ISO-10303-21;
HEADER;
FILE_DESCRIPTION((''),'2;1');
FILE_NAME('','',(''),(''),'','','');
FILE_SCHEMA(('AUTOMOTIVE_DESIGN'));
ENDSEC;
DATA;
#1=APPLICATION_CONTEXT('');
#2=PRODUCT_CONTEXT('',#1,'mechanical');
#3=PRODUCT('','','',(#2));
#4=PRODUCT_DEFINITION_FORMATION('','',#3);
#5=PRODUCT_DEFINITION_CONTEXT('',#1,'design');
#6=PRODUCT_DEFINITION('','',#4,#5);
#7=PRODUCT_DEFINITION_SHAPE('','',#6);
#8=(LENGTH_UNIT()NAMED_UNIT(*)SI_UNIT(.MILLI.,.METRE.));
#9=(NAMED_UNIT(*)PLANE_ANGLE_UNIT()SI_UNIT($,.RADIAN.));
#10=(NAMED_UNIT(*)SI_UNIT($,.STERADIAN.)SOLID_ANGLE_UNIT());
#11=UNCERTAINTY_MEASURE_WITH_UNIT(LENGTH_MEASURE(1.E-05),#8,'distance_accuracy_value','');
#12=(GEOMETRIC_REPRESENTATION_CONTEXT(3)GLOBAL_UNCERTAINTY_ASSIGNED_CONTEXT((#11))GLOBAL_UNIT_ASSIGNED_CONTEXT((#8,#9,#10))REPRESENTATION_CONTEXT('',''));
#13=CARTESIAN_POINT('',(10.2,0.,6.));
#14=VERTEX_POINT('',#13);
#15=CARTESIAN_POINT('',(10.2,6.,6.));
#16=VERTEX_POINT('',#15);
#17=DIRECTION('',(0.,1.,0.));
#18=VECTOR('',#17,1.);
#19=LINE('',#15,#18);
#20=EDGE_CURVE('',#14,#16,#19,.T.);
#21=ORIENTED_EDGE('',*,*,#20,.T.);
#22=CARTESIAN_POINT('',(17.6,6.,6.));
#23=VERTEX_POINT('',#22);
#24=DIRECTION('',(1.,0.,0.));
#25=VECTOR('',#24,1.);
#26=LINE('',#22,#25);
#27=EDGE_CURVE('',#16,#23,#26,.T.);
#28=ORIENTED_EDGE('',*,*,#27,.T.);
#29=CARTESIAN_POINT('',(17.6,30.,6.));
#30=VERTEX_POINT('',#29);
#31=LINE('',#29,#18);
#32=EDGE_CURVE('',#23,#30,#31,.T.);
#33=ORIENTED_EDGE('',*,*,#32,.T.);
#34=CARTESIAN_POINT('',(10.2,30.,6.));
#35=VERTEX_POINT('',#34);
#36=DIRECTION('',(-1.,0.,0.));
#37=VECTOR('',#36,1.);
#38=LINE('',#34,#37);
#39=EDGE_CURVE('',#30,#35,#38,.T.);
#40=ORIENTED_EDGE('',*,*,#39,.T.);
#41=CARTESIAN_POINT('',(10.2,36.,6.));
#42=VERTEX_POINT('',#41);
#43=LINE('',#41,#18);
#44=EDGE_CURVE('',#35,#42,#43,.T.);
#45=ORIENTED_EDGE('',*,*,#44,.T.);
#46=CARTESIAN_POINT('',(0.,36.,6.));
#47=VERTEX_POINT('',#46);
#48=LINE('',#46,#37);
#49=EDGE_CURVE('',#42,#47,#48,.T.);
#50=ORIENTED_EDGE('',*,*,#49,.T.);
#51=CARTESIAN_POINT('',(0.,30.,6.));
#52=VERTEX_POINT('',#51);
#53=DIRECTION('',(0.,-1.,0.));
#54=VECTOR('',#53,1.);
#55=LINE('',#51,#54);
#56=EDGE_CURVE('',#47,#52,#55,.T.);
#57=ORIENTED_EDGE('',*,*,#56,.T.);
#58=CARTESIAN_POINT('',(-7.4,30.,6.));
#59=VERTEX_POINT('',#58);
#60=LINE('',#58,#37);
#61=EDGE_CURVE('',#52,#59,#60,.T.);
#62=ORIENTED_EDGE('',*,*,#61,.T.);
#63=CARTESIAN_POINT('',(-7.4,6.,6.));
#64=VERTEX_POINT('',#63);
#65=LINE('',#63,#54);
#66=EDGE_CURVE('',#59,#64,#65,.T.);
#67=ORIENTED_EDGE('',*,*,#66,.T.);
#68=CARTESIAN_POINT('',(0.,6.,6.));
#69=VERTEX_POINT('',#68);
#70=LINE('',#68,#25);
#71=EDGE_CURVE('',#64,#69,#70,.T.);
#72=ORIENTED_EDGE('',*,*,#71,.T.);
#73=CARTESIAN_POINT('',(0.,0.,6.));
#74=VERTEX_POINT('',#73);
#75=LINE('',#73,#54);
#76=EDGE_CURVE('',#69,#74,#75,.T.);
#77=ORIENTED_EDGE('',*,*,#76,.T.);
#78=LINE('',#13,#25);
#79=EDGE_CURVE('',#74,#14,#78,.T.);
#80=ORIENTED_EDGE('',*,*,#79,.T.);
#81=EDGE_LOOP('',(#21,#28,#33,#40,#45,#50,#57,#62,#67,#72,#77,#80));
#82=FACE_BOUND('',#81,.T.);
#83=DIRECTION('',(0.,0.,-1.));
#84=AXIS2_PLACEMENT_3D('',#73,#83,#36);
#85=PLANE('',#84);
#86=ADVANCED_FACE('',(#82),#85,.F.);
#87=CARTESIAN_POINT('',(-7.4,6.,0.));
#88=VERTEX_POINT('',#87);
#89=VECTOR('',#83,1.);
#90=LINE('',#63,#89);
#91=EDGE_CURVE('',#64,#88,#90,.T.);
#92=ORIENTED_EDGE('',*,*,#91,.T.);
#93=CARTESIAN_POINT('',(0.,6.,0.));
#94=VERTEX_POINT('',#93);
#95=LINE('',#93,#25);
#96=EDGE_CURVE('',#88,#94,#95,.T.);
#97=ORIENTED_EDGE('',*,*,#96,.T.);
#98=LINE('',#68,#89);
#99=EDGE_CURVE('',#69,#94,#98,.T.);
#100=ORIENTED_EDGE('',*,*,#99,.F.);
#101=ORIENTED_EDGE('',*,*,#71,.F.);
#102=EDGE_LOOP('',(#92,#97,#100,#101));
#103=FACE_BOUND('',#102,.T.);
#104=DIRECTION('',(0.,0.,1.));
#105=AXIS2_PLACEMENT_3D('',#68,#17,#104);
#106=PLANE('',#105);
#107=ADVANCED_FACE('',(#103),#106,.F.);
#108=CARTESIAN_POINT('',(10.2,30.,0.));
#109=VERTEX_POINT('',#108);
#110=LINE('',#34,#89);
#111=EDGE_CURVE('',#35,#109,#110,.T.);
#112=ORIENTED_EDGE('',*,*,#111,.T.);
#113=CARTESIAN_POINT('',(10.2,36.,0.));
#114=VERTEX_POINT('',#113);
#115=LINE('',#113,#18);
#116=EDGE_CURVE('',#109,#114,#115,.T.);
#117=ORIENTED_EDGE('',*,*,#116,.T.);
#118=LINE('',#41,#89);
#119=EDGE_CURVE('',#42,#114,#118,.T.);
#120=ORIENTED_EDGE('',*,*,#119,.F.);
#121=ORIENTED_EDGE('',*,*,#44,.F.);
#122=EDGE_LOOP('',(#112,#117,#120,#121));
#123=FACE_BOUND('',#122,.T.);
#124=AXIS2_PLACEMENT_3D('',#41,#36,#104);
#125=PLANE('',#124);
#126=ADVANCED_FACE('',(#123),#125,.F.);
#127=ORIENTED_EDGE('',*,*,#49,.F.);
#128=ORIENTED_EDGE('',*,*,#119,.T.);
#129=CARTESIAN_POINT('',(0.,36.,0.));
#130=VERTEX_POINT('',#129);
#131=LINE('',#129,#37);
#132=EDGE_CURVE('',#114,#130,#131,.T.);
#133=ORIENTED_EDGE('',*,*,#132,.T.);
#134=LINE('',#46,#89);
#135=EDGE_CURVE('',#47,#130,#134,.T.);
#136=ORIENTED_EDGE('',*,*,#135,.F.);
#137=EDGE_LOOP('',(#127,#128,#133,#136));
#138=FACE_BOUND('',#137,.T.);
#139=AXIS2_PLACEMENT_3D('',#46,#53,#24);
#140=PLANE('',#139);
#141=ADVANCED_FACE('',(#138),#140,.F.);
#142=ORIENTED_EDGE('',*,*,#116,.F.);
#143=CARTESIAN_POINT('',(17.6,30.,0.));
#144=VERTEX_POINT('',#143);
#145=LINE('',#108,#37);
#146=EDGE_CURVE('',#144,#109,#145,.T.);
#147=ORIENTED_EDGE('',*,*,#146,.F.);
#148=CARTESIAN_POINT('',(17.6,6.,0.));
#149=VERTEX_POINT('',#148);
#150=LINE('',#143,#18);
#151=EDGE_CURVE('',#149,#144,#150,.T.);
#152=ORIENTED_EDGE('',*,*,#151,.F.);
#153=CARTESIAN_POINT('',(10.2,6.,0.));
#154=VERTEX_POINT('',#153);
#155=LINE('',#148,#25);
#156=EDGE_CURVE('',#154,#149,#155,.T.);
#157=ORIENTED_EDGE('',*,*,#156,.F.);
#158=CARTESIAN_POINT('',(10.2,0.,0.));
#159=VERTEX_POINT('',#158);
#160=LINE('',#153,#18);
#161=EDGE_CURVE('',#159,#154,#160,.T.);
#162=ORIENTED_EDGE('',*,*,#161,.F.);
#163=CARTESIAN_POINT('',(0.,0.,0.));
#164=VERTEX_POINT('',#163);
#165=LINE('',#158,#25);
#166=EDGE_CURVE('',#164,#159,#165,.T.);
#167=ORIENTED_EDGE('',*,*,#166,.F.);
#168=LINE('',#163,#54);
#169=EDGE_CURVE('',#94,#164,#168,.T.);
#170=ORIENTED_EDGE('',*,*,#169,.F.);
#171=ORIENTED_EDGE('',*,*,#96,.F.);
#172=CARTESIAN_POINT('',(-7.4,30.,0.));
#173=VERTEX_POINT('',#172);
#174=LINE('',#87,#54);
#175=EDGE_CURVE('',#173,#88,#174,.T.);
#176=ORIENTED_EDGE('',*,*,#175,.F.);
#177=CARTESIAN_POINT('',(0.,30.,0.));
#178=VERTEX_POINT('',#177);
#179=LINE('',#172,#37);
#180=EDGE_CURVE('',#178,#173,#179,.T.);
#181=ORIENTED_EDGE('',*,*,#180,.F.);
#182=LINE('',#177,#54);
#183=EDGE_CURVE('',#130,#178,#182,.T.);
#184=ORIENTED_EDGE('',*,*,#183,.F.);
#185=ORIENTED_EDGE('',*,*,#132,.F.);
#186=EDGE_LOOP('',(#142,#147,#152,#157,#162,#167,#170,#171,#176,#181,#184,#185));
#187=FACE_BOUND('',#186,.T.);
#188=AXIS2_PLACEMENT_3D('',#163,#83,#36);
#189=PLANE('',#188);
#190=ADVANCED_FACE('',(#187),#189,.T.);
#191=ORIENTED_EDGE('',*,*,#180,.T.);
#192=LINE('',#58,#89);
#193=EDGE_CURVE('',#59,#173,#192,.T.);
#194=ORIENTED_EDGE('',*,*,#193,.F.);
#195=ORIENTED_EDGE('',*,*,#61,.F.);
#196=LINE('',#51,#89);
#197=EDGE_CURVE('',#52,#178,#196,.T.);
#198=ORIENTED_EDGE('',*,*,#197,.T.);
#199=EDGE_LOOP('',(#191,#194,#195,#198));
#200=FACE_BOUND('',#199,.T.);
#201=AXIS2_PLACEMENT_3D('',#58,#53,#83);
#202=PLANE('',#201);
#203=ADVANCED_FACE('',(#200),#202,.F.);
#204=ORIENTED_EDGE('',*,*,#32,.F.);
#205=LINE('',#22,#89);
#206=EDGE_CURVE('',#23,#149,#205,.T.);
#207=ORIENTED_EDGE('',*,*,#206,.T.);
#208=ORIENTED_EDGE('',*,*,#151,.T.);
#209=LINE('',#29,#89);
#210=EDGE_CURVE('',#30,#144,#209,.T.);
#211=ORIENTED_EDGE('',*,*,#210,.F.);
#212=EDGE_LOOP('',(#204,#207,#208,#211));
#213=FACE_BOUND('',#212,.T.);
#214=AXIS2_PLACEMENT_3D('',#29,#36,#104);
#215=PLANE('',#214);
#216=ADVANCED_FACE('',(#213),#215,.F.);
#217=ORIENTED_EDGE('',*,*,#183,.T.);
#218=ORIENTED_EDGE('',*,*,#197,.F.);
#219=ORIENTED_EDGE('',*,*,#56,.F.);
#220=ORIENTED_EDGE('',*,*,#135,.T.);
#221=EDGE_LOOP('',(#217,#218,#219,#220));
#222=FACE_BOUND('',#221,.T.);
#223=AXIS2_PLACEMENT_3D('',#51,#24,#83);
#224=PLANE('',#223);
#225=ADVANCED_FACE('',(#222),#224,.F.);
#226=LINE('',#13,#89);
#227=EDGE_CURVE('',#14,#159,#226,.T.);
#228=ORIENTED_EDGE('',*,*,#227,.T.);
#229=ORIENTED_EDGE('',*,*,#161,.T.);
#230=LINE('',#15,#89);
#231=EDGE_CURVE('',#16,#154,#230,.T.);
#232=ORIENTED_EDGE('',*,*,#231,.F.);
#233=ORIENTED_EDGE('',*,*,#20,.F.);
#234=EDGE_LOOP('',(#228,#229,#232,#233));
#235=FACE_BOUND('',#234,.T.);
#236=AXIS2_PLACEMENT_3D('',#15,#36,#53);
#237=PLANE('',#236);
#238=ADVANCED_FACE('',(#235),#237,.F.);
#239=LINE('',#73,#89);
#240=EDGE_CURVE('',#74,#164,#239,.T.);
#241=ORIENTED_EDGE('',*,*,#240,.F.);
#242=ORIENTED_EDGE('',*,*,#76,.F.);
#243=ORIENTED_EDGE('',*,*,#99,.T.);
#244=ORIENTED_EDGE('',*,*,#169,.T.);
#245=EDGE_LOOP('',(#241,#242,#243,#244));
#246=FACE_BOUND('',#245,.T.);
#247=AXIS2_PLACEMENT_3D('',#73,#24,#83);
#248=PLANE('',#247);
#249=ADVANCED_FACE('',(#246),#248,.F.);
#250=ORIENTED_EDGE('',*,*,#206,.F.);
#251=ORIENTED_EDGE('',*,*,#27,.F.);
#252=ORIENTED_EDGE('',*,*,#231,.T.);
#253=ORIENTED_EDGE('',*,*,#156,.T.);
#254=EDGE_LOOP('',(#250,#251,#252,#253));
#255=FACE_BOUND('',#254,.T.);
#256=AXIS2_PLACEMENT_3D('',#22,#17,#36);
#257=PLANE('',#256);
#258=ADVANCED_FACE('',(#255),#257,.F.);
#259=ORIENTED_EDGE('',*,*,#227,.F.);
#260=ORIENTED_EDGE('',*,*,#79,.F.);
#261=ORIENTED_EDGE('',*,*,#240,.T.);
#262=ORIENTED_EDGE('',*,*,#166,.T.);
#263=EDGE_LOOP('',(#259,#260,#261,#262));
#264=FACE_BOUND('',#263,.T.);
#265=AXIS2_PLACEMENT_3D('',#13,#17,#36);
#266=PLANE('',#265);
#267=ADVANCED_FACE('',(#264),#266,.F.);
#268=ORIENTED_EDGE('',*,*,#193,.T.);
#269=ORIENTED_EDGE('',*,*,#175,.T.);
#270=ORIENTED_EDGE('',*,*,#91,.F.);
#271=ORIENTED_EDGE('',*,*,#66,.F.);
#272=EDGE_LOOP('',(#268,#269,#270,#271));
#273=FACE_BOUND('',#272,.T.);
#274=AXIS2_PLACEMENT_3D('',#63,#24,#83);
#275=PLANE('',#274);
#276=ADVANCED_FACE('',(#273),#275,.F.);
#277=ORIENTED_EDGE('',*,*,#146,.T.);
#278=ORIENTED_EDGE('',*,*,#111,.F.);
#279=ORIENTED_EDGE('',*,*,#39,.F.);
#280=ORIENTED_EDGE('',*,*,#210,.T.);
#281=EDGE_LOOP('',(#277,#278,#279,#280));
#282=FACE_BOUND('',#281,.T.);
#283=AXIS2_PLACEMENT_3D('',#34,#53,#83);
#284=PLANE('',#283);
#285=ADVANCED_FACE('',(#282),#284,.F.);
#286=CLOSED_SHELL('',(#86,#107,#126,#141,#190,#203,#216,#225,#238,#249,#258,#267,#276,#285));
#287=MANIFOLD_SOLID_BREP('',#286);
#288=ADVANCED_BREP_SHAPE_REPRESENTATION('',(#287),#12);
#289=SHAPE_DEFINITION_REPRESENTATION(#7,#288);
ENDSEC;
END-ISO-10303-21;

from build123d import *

# Parameters (mm, degrees)
BOSS_EXTRU_1_DEPTH = 6


with BuildPart() as part:
    # Esquisse1 → Boss.-Extru.1 (new body)
    with BuildSketch(Plane.XY):
        Polygon((0, 0), (0, 6), (-7.4, 6), (-7.4, 30), (0, 30), (0, 36), (10.2, 36), (10.2, 30), (17.6, 30), (17.6, 6), (10.2, 6), (10.2, 0), align=None)
    extrude(amount=BOSS_EXTRU_1_DEPTH)


solid = part.part
